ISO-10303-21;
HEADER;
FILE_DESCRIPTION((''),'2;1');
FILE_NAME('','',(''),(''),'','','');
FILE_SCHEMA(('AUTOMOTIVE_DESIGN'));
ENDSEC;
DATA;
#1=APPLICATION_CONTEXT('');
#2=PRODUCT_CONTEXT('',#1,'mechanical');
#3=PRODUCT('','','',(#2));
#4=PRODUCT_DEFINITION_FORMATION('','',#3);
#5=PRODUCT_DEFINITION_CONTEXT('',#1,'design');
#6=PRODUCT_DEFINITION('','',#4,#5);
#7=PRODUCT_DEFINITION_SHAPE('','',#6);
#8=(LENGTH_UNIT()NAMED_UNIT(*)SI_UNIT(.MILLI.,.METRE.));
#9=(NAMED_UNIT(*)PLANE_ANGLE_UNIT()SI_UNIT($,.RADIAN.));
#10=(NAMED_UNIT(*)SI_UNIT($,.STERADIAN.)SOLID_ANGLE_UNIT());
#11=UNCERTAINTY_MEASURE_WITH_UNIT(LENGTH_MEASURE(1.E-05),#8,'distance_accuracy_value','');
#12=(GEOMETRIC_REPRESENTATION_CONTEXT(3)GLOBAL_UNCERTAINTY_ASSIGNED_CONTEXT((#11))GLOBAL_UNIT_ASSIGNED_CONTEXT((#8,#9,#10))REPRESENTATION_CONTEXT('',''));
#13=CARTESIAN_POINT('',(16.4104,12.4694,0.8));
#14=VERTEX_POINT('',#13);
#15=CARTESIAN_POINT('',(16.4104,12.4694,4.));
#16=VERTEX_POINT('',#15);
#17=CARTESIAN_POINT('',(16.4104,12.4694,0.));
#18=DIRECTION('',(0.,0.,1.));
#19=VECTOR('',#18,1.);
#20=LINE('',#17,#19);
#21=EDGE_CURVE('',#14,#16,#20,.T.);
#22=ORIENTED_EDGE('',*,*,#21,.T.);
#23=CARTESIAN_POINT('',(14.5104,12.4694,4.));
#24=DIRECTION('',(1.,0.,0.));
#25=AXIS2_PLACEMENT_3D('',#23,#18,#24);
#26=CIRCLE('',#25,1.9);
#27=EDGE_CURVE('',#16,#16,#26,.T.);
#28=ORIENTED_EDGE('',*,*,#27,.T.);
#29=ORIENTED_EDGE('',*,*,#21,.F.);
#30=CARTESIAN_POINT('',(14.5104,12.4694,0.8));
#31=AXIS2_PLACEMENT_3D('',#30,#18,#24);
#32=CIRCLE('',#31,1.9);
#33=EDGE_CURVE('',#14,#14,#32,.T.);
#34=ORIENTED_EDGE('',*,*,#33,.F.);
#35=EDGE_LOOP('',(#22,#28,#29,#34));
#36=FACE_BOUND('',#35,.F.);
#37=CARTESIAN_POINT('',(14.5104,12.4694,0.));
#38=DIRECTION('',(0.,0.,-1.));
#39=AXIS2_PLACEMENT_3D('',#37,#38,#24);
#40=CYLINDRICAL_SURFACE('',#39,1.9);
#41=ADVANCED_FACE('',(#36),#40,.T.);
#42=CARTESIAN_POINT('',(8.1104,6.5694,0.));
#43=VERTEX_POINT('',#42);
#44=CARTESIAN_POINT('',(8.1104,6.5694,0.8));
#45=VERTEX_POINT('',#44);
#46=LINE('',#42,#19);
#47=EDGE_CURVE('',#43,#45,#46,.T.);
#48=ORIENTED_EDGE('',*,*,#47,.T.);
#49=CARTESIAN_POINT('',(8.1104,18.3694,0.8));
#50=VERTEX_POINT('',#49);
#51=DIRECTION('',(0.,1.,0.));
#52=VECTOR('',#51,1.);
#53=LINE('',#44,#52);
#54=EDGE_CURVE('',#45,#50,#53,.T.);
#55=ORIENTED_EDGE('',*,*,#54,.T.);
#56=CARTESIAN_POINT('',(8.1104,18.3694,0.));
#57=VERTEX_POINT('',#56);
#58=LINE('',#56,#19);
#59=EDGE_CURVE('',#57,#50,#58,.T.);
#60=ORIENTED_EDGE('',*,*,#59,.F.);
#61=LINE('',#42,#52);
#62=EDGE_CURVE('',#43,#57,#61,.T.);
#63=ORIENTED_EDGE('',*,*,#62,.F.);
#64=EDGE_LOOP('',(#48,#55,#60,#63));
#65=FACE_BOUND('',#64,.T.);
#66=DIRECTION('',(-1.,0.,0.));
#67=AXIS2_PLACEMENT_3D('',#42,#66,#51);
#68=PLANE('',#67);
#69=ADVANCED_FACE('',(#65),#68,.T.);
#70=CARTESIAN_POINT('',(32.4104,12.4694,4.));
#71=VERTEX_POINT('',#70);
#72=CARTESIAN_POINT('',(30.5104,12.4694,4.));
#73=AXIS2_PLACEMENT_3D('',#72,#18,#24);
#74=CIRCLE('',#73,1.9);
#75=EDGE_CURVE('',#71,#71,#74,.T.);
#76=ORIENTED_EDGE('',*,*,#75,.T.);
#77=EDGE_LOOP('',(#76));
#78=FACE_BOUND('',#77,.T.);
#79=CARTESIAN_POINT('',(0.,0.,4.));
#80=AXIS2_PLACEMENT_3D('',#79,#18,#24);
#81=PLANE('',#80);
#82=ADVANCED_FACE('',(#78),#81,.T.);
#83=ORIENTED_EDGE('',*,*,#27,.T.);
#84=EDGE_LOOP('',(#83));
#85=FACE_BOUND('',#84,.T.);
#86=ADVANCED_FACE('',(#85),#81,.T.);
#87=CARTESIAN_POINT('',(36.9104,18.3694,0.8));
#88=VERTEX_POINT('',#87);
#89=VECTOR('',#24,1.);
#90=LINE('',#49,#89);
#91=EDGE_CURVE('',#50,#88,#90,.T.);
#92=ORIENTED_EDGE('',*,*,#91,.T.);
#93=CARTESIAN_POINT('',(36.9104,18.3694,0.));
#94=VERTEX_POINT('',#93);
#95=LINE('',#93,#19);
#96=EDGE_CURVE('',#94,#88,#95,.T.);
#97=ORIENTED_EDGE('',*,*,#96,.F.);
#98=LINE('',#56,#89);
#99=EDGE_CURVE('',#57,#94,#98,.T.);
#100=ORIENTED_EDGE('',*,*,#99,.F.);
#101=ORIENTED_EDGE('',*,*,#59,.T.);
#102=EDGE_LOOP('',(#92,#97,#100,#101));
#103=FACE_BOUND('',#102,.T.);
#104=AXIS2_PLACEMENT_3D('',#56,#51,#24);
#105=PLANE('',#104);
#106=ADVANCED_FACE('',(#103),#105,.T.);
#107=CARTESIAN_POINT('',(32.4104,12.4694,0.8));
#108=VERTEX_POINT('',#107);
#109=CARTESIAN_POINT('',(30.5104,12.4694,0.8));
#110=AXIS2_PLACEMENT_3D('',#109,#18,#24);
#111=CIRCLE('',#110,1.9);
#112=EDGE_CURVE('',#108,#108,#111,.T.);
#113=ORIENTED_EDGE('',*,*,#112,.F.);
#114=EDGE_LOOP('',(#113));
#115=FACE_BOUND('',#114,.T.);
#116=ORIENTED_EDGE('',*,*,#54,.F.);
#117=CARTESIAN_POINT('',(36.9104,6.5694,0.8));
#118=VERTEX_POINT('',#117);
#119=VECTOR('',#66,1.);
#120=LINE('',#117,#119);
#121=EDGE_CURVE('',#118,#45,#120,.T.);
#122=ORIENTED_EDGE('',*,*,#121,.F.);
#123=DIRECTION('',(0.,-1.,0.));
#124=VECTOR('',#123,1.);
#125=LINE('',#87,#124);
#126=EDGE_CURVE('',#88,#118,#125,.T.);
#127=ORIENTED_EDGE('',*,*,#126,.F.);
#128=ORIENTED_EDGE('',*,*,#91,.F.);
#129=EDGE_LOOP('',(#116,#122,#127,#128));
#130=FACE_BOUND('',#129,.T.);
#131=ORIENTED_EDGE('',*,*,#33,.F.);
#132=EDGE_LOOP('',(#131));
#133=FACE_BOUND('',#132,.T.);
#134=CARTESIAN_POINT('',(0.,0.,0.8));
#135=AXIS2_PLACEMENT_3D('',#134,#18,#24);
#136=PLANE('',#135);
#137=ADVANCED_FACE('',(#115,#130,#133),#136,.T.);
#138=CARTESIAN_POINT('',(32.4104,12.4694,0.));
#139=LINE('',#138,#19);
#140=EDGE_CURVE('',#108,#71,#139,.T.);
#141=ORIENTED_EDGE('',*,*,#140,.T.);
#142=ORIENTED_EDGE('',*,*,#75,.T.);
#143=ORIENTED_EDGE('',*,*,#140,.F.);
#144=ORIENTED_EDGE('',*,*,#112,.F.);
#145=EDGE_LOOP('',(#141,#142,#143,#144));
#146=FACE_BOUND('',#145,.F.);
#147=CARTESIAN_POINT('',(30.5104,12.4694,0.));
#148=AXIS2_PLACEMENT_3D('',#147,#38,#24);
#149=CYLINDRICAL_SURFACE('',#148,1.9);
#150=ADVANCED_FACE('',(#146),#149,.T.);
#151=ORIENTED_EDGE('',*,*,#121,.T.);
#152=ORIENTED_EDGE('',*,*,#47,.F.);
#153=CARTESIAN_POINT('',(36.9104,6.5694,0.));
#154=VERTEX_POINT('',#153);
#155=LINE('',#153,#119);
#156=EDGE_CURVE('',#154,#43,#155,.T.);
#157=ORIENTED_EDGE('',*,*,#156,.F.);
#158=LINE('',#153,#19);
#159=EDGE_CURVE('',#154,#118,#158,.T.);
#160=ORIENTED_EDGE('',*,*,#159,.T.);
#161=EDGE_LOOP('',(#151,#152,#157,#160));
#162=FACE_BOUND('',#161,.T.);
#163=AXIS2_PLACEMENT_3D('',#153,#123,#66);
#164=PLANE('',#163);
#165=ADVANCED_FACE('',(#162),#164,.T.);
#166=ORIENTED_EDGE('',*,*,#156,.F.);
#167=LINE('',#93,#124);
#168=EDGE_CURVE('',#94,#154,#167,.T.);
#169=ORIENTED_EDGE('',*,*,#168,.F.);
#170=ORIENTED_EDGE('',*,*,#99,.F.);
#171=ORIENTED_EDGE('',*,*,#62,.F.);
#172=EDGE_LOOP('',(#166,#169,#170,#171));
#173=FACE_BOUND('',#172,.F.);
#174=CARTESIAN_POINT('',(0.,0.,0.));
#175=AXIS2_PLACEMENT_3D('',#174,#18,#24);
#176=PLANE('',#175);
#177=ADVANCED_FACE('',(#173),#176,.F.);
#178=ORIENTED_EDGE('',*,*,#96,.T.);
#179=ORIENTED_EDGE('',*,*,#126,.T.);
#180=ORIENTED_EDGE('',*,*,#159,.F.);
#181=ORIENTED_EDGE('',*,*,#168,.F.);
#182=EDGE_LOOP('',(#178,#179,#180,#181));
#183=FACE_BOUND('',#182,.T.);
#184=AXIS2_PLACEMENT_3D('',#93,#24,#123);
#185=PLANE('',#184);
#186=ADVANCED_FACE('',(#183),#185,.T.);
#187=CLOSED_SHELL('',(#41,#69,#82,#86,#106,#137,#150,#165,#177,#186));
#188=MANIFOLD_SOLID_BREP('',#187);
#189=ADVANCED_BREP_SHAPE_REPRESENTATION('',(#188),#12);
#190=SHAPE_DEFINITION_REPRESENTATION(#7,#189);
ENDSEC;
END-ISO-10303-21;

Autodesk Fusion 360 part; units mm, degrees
sketch "Schizzo1" plane through (0, 0, 0) normal (0, 0, 1) x (1, 0, 0)
  line L0 (39.554, 71.8617) -> (66.804, 71.8617)
  line L1 (66.804, 71.8617) -> (66.804, 61.8617)
  line L2 (66.804, 61.8617) -> (39.554, 61.8617)
  line L3 (39.554, 61.8617) -> (39.554, 71.8617)
  line L4 (8.0104, 18.4694) -> (37.0104, 18.4694) construction
  line L5 (37.0104, 18.4694) -> (37.0104, 6.4694) construction
  line L6 (37.0104, 6.4694) -> (8.0104, 6.4694) construction
  line L7 (8.0104, 6.4694) -> (8.0104, 18.4694) construction
  line L8 (22.5104, 18.4694) -> (22.5104, 6.4694) construction
  line L9 (8.0104, 12.4694) -> (37.0104, 12.4694) construction
  circle A0 centre (14.5104, 12.4694) radius 1.9
  circle A1 centre (30.5104, 12.4694) radius 1.9
  line L10 (36.9104, 6.5694) -> (8.1104, 6.5694)
  line L11 (8.1104, 6.5694) -> (8.1104, 18.3694)
  line L12 (8.1104, 18.3694) -> (36.9104, 18.3694)
  line L13 (36.9104, 18.3694) -> (36.9104, 6.5694)
  line L14 (36.9104, 6.5694) -> (8.1104, 18.3694) construction
  line L15 (8.1104, 6.5694) -> (36.9104, 18.3694) construction
  point P0 (22.5104, 12.4694)
  dimension "d1" = 27.25
  dimension "d2" = 10
  dimension "d3" = 29
  dimension "d4" = 12
  dimension "d5" = 3.8
  dimension "d6" = 16
  dimension "d7" = 0.1
  dimension "d8" = 0.1
extrude "Estrusione1" add sketch "Schizzo1" along normal blind 0.8 contours L10 L11 L12 L13
extrude "Estrusione2" add sketch "Schizzo1" along normal blind 4 contours A0 | A1
equation "d5 = 4 mm - 0.2 mm"
